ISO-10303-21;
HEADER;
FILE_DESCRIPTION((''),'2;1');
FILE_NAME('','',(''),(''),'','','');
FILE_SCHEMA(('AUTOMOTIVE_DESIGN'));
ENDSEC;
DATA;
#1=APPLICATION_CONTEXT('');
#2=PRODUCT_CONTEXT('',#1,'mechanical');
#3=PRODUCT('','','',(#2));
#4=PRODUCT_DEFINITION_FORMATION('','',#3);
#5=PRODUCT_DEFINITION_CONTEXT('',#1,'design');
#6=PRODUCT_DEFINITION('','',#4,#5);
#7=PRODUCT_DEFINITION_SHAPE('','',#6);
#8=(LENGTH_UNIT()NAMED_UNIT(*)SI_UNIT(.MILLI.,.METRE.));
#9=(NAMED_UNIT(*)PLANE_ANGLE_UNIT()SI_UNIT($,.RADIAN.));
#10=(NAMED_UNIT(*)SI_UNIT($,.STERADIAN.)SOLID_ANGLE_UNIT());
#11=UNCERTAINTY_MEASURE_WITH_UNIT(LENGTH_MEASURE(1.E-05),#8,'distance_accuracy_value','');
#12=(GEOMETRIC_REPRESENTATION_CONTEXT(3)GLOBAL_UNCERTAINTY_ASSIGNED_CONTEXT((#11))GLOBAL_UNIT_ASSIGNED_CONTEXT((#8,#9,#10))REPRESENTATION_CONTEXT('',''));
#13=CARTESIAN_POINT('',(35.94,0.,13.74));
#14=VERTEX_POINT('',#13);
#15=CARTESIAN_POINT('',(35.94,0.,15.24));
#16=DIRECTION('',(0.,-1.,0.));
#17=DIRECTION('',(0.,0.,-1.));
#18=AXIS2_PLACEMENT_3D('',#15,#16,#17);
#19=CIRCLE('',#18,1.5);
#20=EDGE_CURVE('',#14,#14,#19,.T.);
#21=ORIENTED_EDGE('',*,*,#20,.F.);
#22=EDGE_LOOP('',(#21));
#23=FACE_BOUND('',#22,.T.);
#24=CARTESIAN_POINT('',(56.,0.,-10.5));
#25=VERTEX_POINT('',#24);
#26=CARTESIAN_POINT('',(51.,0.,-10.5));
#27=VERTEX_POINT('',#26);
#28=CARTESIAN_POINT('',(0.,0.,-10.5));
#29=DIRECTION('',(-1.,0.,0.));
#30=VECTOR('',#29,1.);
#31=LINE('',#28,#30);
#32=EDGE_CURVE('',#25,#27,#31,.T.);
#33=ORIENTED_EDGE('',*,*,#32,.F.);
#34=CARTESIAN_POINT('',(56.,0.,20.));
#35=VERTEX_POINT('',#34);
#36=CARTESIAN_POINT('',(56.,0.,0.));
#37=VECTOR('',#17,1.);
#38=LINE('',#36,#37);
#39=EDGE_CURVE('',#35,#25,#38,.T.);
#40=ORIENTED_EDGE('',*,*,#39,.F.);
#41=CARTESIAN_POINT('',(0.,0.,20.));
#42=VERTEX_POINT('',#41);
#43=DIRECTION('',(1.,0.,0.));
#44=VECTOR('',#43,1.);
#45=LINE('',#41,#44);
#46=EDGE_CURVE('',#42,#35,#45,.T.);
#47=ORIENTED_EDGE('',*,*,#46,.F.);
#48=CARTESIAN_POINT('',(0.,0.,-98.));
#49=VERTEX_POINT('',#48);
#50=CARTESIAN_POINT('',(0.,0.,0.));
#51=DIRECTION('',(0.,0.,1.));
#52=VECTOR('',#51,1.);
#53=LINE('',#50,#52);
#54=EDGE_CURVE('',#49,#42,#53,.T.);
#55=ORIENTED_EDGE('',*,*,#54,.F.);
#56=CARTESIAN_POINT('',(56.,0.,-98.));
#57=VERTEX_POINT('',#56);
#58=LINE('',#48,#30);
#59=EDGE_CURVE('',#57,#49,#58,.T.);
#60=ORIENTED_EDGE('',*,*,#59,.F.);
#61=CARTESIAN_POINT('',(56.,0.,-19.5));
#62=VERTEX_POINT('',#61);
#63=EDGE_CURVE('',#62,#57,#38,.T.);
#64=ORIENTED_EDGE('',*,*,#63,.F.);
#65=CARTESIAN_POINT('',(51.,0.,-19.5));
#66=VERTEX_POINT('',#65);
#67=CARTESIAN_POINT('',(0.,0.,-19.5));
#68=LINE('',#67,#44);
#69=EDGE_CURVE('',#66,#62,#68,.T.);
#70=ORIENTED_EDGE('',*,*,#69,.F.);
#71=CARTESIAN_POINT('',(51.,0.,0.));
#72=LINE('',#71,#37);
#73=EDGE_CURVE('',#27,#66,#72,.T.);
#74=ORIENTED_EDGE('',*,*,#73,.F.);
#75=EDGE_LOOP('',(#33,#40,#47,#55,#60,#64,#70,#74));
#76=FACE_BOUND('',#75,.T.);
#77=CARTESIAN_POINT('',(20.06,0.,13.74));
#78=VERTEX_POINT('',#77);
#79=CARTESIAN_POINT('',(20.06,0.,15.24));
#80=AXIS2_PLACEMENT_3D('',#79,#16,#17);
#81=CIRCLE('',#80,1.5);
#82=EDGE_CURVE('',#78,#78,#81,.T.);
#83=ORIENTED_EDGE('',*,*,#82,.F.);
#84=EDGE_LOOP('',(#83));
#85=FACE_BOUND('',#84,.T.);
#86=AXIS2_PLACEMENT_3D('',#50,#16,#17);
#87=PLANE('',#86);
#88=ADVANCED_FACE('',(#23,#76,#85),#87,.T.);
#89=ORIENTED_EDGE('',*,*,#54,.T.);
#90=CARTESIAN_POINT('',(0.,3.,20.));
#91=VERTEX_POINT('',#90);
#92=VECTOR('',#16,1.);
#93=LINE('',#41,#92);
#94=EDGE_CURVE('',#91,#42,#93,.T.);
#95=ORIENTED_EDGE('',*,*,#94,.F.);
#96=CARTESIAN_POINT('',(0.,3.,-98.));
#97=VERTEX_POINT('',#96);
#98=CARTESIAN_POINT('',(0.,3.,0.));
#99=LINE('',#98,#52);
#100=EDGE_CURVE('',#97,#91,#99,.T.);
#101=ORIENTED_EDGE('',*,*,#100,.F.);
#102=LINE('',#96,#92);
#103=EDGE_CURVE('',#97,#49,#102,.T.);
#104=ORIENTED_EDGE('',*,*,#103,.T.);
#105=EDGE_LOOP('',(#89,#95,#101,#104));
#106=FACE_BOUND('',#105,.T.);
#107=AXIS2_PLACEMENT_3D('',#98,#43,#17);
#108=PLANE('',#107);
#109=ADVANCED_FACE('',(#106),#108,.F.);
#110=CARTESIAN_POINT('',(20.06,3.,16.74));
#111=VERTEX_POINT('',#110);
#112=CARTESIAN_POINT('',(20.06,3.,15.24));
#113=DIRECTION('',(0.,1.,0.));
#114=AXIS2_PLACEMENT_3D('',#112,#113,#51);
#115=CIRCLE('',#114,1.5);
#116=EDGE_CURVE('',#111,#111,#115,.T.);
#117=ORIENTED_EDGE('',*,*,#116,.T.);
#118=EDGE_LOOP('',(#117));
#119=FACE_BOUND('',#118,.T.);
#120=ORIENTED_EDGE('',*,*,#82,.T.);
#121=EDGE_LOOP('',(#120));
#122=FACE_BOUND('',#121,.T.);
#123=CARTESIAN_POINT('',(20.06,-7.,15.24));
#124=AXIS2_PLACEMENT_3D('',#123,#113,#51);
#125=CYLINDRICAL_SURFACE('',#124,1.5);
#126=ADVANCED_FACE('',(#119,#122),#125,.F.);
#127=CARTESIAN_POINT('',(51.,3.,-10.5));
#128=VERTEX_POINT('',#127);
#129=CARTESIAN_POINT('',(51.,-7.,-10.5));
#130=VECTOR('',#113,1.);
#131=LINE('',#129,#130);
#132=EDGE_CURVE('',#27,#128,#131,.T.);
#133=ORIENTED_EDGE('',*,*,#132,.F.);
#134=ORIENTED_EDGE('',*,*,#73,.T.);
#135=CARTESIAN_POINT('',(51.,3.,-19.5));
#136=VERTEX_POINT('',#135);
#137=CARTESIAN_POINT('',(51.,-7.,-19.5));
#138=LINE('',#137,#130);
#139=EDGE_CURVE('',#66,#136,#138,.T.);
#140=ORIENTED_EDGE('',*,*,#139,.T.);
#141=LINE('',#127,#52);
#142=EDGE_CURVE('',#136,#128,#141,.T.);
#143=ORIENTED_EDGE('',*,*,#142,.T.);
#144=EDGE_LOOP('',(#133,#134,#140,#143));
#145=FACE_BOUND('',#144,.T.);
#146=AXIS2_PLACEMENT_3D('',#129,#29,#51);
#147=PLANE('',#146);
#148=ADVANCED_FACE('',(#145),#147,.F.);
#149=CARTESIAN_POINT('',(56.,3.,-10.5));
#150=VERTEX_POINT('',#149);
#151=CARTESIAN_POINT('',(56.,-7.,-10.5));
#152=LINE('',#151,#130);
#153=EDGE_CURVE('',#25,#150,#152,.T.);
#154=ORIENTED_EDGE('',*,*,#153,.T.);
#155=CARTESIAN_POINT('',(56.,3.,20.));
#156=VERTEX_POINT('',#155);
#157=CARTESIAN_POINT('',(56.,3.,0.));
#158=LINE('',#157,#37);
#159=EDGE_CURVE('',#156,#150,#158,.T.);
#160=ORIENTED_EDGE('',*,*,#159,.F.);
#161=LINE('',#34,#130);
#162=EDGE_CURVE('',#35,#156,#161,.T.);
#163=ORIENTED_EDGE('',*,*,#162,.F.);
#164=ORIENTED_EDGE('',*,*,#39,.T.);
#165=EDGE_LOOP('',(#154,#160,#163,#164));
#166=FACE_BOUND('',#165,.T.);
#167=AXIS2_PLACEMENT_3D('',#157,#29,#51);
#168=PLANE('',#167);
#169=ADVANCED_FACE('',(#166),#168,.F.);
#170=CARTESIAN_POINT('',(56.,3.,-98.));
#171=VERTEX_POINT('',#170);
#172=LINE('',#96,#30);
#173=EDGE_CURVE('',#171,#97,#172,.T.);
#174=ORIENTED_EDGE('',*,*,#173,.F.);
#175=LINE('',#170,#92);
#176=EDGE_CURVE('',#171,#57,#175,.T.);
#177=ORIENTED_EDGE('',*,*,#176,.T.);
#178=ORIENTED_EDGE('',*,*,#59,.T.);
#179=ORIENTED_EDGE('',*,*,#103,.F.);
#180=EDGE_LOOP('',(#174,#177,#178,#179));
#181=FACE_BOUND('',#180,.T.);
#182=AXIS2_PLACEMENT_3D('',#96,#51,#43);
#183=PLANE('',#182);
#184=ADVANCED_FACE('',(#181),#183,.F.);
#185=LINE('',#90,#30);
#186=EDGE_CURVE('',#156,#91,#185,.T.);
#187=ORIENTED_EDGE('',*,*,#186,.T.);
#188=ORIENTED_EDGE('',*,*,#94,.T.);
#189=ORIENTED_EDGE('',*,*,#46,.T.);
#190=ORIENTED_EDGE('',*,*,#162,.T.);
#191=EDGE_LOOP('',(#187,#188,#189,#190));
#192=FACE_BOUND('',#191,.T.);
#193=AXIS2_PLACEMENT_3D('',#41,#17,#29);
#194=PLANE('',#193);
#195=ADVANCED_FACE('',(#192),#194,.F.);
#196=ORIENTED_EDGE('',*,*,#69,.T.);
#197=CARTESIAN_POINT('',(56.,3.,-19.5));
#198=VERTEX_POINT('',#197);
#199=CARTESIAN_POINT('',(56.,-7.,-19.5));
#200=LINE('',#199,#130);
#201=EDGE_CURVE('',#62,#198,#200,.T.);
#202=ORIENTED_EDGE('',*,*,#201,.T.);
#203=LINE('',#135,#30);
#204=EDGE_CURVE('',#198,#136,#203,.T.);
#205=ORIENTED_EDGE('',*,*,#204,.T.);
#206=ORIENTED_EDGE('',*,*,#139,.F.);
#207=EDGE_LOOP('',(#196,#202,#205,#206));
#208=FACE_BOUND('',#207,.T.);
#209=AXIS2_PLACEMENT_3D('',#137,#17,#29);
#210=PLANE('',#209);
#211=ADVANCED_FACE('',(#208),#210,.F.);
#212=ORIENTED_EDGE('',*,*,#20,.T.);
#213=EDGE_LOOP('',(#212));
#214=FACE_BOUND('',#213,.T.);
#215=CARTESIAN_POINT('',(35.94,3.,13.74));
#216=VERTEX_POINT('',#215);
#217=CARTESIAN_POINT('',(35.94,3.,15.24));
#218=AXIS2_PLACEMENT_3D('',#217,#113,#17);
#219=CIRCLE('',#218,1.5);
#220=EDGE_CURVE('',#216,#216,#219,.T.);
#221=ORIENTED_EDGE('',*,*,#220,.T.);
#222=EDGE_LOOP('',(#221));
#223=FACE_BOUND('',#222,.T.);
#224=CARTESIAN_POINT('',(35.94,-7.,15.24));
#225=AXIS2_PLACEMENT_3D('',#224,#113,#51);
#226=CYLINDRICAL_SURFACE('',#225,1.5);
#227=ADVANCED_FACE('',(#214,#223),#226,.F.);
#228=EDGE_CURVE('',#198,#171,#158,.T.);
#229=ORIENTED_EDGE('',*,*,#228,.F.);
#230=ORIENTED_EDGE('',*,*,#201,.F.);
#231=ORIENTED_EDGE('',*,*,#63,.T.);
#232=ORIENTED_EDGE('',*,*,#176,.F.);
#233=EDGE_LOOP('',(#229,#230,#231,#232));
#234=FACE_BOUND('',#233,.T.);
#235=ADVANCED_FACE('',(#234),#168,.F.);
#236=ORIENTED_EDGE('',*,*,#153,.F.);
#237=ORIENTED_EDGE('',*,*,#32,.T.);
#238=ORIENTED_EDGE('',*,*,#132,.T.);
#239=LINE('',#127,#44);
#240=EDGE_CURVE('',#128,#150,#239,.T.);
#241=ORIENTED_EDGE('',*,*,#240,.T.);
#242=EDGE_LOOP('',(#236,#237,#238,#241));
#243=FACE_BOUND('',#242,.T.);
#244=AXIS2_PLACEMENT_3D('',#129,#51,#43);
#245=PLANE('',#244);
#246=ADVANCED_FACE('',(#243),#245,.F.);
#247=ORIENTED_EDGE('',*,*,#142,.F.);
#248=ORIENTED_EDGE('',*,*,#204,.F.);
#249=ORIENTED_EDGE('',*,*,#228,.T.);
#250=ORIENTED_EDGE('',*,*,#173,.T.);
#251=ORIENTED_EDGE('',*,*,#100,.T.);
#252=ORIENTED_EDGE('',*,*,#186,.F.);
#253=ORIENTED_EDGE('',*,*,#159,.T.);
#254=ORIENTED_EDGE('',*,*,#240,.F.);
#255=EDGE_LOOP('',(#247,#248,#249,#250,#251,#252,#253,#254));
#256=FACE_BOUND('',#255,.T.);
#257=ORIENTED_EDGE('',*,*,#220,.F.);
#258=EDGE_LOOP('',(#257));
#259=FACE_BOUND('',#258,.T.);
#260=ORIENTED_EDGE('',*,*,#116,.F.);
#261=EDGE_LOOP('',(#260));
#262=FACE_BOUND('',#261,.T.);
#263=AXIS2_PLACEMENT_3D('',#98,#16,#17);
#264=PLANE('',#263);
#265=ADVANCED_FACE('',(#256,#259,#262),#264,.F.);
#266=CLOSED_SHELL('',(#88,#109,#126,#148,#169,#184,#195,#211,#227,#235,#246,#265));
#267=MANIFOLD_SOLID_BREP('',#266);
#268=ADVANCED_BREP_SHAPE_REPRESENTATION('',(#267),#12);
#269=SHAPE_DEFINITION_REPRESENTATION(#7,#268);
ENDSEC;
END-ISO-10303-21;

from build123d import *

# Parameters (mm, degrees)
SKETCH1_W             = 56
SKETCH1_H             = 98
BOSS_EXTRUDE1_DEPTH   = 3
SKETCH4_W             = 56
SKETCH4_H             = 3
BOSS_EXTRUDE3_DEPTH   = 20
SKETCH9_W             = 5
SKETCH9_H             = 9
CUT_EXTRUDE1_DEPTH    = 10
CROQUIS1_R            = 1.5
CORTAR_EXTRUIR1_DEPTH = 10


with BuildPart() as part:
    # Sketch1 → Boss-Extrude1 (new body)
    with BuildSketch(Plane(origin=(0, 0, 0), x_dir=(1, 0, 0), z_dir=(0, 1, 0))):
        with Locations((28, 49)):
            Rectangle(SKETCH1_W, SKETCH1_H)
    extrude(amount=BOSS_EXTRUDE1_DEPTH)

    # Sketch4 → Boss-Extrude3 (add)
    with BuildSketch(Plane.XY):
        with Locations((28, 1.5)):
            Rectangle(SKETCH4_W, SKETCH4_H)
    extrude(amount=BOSS_EXTRUDE3_DEPTH)

    # Sketch9 → Cut-Extrude1 (cut)
    with BuildSketch(Plane(origin=(0, 3, 0), x_dir=(1, 0, 0), z_dir=(0, 1, 0))):
        with Locations((53.5, 15)):
            Rectangle(SKETCH9_W, SKETCH9_H)
    extrude(amount=-CUT_EXTRUDE1_DEPTH, mode=Mode.SUBTRACT)

    # Croquis1 → Cortar-Extruir1 (cut)
    with BuildSketch(Plane(origin=(0, 3, 0), x_dir=(1, 0, 0), z_dir=(0, 1, 0))):
        with Locations(Location((20.06, -15.24, 0), (0, 0, 270))):
            Circle(CROQUIS1_R)
        with Locations(Location((35.94, -15.24, 0), (0, 0, 90))):
            Circle(CROQUIS1_R)
    extrude(amount=-CORTAR_EXTRUIR1_DEPTH, mode=Mode.SUBTRACT)


solid = part.part
